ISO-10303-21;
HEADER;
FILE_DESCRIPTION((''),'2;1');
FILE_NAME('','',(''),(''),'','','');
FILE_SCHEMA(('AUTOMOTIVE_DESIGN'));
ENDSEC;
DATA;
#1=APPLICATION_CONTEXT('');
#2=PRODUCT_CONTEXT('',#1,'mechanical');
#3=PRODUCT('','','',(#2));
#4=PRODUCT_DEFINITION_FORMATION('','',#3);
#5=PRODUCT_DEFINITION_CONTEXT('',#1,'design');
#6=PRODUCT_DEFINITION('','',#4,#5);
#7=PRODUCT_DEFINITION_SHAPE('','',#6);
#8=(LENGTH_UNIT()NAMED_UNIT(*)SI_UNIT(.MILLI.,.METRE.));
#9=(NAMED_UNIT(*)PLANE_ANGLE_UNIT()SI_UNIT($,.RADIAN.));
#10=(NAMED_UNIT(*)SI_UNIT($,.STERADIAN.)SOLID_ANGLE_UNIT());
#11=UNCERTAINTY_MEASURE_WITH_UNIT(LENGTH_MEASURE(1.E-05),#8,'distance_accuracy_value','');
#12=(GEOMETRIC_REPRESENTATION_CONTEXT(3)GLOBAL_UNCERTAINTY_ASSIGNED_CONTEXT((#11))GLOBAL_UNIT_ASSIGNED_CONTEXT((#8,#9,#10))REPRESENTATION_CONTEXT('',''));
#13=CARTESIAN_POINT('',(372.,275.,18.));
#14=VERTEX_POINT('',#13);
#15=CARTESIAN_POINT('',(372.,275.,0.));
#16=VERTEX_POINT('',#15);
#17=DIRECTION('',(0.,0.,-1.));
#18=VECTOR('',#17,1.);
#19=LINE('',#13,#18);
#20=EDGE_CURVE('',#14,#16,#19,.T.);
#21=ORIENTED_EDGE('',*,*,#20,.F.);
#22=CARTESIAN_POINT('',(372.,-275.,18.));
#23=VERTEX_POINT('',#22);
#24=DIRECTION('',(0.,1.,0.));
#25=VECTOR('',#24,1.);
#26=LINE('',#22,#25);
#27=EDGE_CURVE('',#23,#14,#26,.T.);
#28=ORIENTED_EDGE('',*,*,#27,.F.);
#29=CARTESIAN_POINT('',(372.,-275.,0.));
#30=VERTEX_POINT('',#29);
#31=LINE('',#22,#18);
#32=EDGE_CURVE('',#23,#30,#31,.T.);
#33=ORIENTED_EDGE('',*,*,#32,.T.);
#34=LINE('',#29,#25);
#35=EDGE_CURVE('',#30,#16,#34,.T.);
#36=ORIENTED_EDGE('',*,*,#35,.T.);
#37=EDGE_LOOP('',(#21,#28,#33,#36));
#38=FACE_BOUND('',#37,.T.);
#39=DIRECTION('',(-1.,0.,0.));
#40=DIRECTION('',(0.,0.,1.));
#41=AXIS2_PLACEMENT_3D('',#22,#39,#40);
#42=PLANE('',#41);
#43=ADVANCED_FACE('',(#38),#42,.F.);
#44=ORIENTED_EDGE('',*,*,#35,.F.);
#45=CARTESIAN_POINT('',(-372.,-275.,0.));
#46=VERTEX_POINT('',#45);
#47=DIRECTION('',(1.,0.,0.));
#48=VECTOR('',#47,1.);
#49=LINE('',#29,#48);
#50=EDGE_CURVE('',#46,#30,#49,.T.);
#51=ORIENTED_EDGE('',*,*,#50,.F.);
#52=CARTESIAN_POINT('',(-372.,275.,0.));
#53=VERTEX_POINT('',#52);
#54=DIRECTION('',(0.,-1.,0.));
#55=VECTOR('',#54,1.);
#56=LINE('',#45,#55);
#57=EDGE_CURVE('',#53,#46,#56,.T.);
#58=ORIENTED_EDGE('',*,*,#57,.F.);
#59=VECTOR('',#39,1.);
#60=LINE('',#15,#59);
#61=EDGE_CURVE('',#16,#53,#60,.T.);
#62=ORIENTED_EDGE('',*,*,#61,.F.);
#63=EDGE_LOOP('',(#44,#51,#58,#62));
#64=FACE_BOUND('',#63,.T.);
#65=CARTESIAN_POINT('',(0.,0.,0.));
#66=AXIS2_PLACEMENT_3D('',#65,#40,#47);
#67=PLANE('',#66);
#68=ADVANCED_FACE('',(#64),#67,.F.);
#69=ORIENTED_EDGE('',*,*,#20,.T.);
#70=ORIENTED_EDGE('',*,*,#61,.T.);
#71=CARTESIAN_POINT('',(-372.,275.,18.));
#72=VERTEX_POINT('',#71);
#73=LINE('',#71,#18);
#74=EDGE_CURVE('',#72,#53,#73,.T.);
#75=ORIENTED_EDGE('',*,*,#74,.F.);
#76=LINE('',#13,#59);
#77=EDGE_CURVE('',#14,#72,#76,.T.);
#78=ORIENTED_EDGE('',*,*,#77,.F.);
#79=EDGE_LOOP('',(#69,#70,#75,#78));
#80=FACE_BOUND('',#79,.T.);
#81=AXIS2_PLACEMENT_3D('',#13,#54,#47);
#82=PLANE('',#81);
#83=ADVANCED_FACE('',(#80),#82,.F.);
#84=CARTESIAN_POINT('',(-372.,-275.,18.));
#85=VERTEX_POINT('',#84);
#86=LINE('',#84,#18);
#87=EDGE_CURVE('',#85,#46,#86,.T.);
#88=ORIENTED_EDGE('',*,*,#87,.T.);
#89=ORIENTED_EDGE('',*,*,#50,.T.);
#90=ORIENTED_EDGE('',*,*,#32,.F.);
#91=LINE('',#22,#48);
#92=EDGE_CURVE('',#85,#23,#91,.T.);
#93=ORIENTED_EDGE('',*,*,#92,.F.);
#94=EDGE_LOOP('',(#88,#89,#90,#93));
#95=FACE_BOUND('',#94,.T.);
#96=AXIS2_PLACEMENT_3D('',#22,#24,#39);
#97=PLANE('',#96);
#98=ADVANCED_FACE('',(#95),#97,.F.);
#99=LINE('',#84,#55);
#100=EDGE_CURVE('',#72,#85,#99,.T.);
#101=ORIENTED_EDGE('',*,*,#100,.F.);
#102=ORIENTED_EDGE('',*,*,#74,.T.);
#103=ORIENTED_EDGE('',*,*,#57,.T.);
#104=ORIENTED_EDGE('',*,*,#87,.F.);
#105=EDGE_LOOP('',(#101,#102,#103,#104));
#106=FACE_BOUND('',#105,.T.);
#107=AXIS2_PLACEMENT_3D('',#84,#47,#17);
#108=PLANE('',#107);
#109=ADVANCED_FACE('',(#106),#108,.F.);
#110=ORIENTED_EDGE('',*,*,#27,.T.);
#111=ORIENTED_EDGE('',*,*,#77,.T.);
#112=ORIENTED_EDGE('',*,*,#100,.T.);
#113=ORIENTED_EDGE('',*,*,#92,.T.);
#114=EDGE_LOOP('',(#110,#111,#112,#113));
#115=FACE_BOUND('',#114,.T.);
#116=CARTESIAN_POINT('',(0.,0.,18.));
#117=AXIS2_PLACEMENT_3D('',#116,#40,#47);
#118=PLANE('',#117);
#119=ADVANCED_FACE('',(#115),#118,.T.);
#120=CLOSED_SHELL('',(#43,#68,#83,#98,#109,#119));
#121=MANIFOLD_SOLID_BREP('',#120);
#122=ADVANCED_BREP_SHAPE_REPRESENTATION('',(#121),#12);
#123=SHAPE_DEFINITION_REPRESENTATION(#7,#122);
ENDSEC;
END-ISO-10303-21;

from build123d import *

# Parameters (mm, degrees)
SKETCH1_W           = 744
SKETCH1_H           = 550
BOSS_EXTRUDE1_DEPTH = 18


with BuildPart() as part:
    # Sketch1 → Boss-Extrude1 (new body)
    with BuildSketch(Plane.XY):
        Rectangle(SKETCH1_W, SKETCH1_H)
    extrude(amount=BOSS_EXTRUDE1_DEPTH)


solid = part.part
